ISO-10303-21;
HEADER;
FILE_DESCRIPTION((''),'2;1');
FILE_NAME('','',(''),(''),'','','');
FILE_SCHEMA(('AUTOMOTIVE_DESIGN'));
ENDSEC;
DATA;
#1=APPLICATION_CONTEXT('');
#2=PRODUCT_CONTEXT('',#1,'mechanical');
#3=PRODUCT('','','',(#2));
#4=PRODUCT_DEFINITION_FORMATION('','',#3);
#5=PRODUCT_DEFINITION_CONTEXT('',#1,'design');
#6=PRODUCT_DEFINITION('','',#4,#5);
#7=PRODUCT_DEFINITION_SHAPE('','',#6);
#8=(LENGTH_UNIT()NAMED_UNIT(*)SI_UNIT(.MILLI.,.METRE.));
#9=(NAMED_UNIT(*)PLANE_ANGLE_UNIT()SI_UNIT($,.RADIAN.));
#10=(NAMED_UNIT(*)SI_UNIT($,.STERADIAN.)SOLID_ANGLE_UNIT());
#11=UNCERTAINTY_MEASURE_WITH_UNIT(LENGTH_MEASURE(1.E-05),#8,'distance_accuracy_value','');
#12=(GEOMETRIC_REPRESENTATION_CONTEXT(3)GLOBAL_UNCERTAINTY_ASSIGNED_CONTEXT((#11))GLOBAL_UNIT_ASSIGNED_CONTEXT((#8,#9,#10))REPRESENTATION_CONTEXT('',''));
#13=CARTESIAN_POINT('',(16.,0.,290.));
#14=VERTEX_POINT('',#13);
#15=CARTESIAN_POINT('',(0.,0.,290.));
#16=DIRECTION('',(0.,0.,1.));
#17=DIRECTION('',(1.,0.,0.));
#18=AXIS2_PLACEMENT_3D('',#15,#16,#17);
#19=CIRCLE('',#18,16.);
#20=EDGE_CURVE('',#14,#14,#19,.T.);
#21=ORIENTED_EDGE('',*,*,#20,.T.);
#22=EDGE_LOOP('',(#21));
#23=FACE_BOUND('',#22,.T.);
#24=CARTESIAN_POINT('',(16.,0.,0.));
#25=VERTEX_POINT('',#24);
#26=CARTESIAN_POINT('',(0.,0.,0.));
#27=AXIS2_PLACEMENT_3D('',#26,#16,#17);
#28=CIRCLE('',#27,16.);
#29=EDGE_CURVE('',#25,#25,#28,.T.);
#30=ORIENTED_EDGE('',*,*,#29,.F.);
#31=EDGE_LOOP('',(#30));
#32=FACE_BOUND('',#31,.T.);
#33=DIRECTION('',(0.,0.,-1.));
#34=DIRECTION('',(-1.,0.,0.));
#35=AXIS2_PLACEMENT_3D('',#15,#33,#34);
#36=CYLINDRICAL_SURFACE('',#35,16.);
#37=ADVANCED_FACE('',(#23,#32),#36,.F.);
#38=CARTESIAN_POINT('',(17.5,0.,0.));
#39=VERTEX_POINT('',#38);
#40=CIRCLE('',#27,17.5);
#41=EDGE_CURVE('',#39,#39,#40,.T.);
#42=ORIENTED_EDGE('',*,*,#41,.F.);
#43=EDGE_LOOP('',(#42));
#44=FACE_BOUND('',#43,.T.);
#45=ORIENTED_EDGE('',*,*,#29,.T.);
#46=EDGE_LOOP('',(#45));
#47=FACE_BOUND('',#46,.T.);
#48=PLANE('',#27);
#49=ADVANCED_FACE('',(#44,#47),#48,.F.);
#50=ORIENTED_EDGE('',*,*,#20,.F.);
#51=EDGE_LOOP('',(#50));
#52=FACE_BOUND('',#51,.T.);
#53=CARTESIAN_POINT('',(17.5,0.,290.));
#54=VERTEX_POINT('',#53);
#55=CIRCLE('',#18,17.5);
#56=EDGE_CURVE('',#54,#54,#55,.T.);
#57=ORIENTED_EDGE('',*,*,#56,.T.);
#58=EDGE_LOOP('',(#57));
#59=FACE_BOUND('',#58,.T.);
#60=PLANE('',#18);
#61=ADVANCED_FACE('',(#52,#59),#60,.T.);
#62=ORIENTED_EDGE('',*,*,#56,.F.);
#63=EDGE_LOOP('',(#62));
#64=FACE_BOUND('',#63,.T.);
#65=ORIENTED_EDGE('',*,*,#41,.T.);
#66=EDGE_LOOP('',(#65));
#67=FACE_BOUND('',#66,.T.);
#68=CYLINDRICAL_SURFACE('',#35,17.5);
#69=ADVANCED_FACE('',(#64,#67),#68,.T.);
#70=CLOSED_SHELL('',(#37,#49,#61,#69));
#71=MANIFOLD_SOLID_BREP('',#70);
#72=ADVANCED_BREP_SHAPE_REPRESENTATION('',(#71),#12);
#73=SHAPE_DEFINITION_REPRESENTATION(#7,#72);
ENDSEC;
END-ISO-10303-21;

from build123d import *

# Parameters (mm, degrees)
SKETCH_1_R      = 17.5
SKETCH_1_R_2    = 16
EXTRUDE_1_DEPTH = 290


with BuildPart() as part:
    # 스케치1 → 보스-돌출1 (new body)
    with BuildSketch(Plane.XY):
        Circle(SKETCH_1_R)
        Circle(SKETCH_1_R_2, mode=Mode.SUBTRACT)
    extrude(amount=EXTRUDE_1_DEPTH)


solid = part.part
